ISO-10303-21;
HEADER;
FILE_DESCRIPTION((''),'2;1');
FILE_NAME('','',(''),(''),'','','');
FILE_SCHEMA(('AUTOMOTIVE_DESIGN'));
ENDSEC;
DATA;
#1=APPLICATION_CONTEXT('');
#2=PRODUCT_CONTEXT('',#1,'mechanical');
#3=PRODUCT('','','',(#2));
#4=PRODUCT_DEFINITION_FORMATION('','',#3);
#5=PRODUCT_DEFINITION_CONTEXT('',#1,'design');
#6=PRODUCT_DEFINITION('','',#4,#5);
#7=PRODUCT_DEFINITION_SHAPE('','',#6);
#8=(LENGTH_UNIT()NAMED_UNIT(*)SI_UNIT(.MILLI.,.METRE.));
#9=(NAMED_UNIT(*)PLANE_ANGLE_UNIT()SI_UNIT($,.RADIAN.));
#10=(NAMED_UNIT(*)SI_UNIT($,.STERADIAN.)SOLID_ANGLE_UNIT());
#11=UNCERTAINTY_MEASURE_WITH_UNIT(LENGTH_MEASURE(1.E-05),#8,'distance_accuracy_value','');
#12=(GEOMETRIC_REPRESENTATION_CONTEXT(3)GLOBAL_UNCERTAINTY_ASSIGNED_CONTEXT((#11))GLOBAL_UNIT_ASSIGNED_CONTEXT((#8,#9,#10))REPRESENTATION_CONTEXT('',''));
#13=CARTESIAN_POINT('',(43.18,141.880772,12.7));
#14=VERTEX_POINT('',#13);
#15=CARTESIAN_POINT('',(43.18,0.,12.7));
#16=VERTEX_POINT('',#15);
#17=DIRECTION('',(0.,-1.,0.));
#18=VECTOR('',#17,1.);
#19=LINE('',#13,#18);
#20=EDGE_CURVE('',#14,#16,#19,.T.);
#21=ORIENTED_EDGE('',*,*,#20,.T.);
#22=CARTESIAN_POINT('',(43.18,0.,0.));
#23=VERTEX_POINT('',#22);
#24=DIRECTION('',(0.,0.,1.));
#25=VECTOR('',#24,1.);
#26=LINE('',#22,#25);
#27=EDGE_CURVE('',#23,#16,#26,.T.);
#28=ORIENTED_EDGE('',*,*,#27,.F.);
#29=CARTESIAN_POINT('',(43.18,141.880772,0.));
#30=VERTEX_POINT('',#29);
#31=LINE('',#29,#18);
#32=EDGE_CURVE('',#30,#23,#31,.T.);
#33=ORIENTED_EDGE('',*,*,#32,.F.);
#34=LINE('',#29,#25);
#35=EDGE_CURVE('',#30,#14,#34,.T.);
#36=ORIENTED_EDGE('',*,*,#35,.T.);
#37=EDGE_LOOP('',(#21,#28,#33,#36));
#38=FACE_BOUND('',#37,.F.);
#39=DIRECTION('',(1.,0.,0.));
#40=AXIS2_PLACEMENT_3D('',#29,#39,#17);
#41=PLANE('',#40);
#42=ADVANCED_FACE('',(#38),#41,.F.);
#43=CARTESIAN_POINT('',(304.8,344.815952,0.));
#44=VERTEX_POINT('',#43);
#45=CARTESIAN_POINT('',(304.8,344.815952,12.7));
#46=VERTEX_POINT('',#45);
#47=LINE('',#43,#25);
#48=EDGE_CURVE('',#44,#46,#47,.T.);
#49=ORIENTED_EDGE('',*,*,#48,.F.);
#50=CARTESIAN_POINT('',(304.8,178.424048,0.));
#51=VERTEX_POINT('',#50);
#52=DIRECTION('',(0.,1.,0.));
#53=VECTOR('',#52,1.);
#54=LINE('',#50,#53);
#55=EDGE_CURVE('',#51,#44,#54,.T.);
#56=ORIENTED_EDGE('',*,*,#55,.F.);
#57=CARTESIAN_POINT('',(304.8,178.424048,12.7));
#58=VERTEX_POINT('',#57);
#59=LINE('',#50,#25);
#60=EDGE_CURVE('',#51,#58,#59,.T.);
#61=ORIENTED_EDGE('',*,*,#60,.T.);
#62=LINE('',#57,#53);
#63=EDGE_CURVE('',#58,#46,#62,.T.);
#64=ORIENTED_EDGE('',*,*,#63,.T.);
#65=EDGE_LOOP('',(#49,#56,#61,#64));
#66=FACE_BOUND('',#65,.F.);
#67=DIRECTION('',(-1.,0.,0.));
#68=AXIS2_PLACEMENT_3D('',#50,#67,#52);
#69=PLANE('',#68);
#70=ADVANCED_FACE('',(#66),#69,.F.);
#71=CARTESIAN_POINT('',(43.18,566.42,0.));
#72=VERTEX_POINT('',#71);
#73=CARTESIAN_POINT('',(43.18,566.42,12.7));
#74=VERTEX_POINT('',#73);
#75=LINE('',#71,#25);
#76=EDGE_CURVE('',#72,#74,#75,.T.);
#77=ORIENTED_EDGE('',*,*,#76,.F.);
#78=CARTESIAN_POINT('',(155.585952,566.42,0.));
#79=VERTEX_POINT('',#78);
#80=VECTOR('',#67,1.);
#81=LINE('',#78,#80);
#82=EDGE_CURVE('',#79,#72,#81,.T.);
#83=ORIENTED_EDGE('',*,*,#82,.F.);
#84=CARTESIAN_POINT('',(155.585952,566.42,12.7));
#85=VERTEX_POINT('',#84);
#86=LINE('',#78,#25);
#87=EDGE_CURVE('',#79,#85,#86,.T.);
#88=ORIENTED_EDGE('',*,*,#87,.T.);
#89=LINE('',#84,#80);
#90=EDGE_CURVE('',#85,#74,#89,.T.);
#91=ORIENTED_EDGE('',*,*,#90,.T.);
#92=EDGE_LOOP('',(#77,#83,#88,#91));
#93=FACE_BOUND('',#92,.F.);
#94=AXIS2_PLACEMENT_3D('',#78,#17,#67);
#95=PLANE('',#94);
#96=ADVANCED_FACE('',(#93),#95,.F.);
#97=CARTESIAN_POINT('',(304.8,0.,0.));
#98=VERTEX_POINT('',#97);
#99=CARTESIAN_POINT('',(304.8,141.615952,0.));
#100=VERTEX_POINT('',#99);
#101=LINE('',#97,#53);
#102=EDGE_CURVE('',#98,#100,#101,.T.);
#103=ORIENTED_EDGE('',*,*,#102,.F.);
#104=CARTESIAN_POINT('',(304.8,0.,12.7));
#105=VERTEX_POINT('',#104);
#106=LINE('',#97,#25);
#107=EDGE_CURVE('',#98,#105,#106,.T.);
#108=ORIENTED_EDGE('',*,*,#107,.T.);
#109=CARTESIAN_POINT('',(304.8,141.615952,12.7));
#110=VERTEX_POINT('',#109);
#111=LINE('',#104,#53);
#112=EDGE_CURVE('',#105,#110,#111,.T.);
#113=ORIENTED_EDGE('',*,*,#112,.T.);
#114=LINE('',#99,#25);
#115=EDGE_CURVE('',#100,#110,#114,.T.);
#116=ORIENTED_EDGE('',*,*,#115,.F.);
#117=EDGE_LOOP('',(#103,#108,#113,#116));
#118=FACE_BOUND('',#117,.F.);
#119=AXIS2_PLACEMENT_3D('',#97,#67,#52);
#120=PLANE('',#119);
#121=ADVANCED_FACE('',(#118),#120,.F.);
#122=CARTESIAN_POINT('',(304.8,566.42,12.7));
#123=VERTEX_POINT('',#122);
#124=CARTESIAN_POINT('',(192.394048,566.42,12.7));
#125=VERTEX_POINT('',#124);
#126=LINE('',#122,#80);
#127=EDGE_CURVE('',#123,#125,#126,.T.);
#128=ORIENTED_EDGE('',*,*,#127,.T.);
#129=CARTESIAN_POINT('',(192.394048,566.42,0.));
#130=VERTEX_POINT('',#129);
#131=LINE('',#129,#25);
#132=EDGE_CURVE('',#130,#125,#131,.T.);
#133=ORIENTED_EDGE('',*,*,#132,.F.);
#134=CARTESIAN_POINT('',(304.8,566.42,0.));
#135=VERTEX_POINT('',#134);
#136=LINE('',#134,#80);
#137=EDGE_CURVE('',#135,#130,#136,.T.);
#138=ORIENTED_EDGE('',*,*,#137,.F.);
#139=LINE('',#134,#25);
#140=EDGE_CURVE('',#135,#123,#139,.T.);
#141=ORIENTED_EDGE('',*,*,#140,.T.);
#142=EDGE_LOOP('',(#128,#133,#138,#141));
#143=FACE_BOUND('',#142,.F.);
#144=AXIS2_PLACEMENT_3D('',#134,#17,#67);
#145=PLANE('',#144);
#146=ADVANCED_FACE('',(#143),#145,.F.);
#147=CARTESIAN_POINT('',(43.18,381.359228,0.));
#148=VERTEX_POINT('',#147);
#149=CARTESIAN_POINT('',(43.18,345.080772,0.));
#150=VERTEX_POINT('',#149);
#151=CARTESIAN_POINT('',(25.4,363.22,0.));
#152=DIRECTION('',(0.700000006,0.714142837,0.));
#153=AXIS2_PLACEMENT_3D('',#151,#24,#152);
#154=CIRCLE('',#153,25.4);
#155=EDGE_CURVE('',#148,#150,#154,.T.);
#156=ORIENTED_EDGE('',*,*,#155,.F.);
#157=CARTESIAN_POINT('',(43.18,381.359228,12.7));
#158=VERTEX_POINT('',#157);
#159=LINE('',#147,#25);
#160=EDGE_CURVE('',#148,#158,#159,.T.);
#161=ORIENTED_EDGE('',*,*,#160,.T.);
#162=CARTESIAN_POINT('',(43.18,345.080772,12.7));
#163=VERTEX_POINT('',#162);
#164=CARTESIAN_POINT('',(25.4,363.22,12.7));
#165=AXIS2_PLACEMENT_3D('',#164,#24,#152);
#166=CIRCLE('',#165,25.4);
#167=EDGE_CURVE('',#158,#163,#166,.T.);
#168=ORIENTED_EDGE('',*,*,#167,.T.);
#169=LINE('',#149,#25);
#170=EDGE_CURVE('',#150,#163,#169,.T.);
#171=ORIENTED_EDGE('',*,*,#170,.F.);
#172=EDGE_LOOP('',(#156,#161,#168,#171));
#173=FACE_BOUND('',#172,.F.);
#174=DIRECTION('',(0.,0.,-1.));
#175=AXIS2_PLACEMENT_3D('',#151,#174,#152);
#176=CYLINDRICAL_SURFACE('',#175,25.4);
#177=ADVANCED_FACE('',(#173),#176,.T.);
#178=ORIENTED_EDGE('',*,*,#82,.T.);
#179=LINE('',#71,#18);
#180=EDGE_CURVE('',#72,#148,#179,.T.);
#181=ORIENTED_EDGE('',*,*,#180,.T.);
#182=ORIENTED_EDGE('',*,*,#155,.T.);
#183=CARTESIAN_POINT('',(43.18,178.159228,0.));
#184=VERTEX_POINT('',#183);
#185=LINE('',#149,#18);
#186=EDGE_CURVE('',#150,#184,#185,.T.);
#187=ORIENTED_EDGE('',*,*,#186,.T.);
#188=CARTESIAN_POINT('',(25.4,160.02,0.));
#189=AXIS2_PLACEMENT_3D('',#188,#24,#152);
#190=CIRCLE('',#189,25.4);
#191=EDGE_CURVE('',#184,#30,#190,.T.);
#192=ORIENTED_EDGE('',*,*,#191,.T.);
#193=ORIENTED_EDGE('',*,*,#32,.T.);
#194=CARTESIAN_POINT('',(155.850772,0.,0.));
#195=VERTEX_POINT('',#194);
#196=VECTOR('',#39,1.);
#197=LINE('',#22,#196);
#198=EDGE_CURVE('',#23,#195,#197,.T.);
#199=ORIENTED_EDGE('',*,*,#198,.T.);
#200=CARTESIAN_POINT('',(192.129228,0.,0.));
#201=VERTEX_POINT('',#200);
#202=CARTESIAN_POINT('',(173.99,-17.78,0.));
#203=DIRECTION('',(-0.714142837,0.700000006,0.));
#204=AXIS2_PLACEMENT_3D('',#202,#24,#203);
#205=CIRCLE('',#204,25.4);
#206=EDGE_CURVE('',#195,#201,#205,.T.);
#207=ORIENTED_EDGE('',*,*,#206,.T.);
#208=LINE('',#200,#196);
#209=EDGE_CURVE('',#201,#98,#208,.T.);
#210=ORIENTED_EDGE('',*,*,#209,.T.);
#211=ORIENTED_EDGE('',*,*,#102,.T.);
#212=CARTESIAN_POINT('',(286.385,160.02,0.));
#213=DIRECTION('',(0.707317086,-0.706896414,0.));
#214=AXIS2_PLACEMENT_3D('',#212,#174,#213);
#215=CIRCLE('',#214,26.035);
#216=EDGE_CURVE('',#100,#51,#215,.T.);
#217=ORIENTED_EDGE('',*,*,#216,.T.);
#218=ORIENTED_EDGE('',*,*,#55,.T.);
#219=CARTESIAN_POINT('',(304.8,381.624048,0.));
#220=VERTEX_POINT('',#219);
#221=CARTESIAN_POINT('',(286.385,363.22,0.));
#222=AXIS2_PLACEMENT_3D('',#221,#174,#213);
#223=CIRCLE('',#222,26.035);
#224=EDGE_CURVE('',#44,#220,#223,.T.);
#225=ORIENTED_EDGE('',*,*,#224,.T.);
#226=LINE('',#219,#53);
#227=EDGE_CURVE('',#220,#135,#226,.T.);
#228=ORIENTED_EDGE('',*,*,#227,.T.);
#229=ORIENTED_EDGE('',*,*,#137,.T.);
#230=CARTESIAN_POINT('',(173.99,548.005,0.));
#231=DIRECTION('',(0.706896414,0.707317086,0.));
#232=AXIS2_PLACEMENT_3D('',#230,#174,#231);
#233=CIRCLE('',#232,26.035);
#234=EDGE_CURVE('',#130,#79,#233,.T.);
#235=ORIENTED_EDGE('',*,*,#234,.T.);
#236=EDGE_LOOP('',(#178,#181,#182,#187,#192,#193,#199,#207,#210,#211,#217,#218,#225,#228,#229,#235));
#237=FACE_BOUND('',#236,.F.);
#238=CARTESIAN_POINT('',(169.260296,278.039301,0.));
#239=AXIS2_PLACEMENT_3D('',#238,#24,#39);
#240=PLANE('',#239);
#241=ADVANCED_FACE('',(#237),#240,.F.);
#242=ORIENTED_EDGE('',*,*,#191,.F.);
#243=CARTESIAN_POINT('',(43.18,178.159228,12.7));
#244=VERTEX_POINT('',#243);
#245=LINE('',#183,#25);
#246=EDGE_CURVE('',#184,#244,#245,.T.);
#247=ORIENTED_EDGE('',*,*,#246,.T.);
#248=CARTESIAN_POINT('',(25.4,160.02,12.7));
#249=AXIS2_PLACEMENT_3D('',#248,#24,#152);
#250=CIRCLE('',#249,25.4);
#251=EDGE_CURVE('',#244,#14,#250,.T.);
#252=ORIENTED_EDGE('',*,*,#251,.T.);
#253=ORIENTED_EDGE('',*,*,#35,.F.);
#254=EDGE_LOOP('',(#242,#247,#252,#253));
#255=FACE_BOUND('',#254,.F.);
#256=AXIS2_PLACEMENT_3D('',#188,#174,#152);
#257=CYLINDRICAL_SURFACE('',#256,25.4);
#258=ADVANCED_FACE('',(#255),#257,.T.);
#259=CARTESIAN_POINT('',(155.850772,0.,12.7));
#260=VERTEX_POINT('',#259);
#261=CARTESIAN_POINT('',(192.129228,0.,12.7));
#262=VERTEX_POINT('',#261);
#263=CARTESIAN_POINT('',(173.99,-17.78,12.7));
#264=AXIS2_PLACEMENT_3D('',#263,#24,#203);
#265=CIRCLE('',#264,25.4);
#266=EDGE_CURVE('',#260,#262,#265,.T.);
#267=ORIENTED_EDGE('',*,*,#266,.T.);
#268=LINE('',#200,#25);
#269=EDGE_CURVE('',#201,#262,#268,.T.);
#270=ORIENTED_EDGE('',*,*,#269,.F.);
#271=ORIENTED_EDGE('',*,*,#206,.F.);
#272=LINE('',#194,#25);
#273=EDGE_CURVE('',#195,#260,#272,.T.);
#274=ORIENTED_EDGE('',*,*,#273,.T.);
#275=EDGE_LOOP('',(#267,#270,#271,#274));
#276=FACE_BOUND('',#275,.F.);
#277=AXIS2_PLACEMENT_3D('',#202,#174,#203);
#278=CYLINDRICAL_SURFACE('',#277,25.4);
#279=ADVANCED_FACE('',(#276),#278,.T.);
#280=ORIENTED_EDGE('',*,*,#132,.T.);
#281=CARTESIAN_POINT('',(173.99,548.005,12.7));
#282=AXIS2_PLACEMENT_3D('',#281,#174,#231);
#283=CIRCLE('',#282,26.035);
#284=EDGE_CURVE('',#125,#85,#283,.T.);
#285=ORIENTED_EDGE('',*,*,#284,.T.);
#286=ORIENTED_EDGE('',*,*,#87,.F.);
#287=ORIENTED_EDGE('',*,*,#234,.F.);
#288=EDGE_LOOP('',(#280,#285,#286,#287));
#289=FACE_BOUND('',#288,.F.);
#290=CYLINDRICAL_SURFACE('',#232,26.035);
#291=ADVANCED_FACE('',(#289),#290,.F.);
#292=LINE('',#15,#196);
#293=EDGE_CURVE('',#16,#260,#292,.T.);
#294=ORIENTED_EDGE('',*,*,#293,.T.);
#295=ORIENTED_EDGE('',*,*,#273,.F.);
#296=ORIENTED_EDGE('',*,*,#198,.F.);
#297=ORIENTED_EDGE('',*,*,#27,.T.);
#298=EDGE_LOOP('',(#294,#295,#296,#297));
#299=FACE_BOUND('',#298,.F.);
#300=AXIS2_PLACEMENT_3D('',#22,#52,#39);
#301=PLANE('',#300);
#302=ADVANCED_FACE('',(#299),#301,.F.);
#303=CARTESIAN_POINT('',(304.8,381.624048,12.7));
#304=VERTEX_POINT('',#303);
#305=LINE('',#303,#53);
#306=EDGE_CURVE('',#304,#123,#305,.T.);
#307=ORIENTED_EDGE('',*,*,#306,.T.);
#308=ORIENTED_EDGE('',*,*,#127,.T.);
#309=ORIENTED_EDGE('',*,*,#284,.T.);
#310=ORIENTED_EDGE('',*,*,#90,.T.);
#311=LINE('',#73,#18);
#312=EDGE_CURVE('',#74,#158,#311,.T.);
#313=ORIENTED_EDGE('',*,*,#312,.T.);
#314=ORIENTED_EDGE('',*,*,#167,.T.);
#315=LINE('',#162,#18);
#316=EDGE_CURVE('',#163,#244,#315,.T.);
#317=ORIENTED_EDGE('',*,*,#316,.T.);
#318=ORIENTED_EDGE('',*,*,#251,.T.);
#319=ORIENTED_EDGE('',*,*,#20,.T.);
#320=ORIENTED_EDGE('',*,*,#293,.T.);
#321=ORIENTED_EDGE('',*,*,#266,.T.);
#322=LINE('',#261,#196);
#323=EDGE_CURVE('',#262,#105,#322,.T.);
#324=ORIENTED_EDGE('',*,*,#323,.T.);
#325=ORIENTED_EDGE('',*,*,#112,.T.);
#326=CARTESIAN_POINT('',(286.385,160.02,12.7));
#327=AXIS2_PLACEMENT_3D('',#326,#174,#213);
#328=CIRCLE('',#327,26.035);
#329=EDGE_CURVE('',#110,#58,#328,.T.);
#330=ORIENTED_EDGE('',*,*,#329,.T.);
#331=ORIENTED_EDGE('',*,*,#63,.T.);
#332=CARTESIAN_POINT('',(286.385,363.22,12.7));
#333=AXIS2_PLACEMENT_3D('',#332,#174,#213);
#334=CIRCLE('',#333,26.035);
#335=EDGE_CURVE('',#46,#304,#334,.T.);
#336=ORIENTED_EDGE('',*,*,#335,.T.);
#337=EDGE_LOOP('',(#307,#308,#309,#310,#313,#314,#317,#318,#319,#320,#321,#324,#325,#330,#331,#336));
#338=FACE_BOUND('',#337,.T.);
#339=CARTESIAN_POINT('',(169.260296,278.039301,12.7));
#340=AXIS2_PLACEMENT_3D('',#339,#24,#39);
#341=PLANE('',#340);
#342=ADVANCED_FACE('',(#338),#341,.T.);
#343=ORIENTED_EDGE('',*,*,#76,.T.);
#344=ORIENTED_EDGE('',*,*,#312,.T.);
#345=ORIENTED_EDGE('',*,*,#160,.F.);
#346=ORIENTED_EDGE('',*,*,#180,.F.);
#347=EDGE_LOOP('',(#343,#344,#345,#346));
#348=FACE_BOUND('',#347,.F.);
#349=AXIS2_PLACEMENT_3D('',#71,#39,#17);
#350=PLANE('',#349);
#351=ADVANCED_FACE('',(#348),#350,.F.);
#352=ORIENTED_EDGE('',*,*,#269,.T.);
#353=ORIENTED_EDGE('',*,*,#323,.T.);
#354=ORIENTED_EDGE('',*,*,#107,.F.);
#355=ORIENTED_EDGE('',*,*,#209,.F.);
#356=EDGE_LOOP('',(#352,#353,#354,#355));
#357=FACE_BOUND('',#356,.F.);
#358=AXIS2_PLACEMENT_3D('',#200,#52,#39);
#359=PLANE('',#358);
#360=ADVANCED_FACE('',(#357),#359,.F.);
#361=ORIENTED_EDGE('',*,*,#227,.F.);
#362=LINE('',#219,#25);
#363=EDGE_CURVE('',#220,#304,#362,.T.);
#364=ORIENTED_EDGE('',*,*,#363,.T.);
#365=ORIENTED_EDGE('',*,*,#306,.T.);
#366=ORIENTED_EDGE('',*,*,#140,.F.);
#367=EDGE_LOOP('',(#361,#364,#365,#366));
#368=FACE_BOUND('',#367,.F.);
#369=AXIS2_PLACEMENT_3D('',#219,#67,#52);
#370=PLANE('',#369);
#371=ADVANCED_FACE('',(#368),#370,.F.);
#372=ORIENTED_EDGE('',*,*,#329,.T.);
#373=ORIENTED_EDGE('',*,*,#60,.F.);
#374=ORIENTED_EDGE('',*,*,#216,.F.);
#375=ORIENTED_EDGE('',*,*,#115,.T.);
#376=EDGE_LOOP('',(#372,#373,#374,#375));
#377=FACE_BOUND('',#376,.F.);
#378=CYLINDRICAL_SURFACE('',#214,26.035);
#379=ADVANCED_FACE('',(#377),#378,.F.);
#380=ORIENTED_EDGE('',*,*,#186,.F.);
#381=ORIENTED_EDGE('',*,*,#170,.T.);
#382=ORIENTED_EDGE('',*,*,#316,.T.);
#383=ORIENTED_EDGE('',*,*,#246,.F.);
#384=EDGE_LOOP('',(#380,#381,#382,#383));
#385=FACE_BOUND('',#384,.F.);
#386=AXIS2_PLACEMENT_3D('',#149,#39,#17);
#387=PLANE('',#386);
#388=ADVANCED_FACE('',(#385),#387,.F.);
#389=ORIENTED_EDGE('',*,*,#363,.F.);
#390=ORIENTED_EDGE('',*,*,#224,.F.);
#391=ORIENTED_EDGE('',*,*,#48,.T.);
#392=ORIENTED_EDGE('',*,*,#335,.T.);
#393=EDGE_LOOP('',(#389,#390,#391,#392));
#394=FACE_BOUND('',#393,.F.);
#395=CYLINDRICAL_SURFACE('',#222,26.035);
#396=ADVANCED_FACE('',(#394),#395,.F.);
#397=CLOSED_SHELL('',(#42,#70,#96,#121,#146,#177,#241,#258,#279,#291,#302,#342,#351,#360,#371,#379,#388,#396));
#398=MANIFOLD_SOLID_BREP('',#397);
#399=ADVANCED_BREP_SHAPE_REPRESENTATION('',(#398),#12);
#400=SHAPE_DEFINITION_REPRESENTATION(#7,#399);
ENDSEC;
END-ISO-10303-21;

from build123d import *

# Parameters (mm, degrees)
F1_DEPTH = 12.7


with BuildPart() as f1:
    # F0 (on Top) → F1 (new body)
    with BuildSketch(Plane.XY):
        with BuildLine():
            Line((192.129228, 0), (304.8, 0))
            Line((304.8, 0), (304.8, 141.615952))
            ThreePointArc((304.8, 141.615952), (260.35, 160.02), (304.8, 178.424048))
            Line((304.8, 178.424048), (304.8, 344.815952))
            ThreePointArc((304.8, 344.815952), (260.35, 363.22), (304.8, 381.624048))
            Line((304.8, 381.624048), (304.8, 566.42))
            Line((304.8, 566.42), (192.394048, 566.42))
            ThreePointArc((192.394048, 566.42), (173.99, 521.97), (155.585952, 566.42))
            Line((155.585952, 566.42), (43.18, 566.42))
            Line((43.18, 566.42), (43.18, 381.359228))
            ThreePointArc((43.18, 381.359228), (0, 363.22), (43.18, 345.080772))
            Line((43.18, 345.080772), (43.18, 178.159228))
            ThreePointArc((43.18, 178.159228), (0, 160.02), (43.18, 141.880772))
            Line((43.18, 141.880772), (43.18, 0))
            Line((43.18, 0), (155.850772, 0))
            ThreePointArc((155.850772, 0), (173.99, -43.18), (192.129228, 0))
        make_face()
    extrude(amount=F1_DEPTH)


solid = f1.part
